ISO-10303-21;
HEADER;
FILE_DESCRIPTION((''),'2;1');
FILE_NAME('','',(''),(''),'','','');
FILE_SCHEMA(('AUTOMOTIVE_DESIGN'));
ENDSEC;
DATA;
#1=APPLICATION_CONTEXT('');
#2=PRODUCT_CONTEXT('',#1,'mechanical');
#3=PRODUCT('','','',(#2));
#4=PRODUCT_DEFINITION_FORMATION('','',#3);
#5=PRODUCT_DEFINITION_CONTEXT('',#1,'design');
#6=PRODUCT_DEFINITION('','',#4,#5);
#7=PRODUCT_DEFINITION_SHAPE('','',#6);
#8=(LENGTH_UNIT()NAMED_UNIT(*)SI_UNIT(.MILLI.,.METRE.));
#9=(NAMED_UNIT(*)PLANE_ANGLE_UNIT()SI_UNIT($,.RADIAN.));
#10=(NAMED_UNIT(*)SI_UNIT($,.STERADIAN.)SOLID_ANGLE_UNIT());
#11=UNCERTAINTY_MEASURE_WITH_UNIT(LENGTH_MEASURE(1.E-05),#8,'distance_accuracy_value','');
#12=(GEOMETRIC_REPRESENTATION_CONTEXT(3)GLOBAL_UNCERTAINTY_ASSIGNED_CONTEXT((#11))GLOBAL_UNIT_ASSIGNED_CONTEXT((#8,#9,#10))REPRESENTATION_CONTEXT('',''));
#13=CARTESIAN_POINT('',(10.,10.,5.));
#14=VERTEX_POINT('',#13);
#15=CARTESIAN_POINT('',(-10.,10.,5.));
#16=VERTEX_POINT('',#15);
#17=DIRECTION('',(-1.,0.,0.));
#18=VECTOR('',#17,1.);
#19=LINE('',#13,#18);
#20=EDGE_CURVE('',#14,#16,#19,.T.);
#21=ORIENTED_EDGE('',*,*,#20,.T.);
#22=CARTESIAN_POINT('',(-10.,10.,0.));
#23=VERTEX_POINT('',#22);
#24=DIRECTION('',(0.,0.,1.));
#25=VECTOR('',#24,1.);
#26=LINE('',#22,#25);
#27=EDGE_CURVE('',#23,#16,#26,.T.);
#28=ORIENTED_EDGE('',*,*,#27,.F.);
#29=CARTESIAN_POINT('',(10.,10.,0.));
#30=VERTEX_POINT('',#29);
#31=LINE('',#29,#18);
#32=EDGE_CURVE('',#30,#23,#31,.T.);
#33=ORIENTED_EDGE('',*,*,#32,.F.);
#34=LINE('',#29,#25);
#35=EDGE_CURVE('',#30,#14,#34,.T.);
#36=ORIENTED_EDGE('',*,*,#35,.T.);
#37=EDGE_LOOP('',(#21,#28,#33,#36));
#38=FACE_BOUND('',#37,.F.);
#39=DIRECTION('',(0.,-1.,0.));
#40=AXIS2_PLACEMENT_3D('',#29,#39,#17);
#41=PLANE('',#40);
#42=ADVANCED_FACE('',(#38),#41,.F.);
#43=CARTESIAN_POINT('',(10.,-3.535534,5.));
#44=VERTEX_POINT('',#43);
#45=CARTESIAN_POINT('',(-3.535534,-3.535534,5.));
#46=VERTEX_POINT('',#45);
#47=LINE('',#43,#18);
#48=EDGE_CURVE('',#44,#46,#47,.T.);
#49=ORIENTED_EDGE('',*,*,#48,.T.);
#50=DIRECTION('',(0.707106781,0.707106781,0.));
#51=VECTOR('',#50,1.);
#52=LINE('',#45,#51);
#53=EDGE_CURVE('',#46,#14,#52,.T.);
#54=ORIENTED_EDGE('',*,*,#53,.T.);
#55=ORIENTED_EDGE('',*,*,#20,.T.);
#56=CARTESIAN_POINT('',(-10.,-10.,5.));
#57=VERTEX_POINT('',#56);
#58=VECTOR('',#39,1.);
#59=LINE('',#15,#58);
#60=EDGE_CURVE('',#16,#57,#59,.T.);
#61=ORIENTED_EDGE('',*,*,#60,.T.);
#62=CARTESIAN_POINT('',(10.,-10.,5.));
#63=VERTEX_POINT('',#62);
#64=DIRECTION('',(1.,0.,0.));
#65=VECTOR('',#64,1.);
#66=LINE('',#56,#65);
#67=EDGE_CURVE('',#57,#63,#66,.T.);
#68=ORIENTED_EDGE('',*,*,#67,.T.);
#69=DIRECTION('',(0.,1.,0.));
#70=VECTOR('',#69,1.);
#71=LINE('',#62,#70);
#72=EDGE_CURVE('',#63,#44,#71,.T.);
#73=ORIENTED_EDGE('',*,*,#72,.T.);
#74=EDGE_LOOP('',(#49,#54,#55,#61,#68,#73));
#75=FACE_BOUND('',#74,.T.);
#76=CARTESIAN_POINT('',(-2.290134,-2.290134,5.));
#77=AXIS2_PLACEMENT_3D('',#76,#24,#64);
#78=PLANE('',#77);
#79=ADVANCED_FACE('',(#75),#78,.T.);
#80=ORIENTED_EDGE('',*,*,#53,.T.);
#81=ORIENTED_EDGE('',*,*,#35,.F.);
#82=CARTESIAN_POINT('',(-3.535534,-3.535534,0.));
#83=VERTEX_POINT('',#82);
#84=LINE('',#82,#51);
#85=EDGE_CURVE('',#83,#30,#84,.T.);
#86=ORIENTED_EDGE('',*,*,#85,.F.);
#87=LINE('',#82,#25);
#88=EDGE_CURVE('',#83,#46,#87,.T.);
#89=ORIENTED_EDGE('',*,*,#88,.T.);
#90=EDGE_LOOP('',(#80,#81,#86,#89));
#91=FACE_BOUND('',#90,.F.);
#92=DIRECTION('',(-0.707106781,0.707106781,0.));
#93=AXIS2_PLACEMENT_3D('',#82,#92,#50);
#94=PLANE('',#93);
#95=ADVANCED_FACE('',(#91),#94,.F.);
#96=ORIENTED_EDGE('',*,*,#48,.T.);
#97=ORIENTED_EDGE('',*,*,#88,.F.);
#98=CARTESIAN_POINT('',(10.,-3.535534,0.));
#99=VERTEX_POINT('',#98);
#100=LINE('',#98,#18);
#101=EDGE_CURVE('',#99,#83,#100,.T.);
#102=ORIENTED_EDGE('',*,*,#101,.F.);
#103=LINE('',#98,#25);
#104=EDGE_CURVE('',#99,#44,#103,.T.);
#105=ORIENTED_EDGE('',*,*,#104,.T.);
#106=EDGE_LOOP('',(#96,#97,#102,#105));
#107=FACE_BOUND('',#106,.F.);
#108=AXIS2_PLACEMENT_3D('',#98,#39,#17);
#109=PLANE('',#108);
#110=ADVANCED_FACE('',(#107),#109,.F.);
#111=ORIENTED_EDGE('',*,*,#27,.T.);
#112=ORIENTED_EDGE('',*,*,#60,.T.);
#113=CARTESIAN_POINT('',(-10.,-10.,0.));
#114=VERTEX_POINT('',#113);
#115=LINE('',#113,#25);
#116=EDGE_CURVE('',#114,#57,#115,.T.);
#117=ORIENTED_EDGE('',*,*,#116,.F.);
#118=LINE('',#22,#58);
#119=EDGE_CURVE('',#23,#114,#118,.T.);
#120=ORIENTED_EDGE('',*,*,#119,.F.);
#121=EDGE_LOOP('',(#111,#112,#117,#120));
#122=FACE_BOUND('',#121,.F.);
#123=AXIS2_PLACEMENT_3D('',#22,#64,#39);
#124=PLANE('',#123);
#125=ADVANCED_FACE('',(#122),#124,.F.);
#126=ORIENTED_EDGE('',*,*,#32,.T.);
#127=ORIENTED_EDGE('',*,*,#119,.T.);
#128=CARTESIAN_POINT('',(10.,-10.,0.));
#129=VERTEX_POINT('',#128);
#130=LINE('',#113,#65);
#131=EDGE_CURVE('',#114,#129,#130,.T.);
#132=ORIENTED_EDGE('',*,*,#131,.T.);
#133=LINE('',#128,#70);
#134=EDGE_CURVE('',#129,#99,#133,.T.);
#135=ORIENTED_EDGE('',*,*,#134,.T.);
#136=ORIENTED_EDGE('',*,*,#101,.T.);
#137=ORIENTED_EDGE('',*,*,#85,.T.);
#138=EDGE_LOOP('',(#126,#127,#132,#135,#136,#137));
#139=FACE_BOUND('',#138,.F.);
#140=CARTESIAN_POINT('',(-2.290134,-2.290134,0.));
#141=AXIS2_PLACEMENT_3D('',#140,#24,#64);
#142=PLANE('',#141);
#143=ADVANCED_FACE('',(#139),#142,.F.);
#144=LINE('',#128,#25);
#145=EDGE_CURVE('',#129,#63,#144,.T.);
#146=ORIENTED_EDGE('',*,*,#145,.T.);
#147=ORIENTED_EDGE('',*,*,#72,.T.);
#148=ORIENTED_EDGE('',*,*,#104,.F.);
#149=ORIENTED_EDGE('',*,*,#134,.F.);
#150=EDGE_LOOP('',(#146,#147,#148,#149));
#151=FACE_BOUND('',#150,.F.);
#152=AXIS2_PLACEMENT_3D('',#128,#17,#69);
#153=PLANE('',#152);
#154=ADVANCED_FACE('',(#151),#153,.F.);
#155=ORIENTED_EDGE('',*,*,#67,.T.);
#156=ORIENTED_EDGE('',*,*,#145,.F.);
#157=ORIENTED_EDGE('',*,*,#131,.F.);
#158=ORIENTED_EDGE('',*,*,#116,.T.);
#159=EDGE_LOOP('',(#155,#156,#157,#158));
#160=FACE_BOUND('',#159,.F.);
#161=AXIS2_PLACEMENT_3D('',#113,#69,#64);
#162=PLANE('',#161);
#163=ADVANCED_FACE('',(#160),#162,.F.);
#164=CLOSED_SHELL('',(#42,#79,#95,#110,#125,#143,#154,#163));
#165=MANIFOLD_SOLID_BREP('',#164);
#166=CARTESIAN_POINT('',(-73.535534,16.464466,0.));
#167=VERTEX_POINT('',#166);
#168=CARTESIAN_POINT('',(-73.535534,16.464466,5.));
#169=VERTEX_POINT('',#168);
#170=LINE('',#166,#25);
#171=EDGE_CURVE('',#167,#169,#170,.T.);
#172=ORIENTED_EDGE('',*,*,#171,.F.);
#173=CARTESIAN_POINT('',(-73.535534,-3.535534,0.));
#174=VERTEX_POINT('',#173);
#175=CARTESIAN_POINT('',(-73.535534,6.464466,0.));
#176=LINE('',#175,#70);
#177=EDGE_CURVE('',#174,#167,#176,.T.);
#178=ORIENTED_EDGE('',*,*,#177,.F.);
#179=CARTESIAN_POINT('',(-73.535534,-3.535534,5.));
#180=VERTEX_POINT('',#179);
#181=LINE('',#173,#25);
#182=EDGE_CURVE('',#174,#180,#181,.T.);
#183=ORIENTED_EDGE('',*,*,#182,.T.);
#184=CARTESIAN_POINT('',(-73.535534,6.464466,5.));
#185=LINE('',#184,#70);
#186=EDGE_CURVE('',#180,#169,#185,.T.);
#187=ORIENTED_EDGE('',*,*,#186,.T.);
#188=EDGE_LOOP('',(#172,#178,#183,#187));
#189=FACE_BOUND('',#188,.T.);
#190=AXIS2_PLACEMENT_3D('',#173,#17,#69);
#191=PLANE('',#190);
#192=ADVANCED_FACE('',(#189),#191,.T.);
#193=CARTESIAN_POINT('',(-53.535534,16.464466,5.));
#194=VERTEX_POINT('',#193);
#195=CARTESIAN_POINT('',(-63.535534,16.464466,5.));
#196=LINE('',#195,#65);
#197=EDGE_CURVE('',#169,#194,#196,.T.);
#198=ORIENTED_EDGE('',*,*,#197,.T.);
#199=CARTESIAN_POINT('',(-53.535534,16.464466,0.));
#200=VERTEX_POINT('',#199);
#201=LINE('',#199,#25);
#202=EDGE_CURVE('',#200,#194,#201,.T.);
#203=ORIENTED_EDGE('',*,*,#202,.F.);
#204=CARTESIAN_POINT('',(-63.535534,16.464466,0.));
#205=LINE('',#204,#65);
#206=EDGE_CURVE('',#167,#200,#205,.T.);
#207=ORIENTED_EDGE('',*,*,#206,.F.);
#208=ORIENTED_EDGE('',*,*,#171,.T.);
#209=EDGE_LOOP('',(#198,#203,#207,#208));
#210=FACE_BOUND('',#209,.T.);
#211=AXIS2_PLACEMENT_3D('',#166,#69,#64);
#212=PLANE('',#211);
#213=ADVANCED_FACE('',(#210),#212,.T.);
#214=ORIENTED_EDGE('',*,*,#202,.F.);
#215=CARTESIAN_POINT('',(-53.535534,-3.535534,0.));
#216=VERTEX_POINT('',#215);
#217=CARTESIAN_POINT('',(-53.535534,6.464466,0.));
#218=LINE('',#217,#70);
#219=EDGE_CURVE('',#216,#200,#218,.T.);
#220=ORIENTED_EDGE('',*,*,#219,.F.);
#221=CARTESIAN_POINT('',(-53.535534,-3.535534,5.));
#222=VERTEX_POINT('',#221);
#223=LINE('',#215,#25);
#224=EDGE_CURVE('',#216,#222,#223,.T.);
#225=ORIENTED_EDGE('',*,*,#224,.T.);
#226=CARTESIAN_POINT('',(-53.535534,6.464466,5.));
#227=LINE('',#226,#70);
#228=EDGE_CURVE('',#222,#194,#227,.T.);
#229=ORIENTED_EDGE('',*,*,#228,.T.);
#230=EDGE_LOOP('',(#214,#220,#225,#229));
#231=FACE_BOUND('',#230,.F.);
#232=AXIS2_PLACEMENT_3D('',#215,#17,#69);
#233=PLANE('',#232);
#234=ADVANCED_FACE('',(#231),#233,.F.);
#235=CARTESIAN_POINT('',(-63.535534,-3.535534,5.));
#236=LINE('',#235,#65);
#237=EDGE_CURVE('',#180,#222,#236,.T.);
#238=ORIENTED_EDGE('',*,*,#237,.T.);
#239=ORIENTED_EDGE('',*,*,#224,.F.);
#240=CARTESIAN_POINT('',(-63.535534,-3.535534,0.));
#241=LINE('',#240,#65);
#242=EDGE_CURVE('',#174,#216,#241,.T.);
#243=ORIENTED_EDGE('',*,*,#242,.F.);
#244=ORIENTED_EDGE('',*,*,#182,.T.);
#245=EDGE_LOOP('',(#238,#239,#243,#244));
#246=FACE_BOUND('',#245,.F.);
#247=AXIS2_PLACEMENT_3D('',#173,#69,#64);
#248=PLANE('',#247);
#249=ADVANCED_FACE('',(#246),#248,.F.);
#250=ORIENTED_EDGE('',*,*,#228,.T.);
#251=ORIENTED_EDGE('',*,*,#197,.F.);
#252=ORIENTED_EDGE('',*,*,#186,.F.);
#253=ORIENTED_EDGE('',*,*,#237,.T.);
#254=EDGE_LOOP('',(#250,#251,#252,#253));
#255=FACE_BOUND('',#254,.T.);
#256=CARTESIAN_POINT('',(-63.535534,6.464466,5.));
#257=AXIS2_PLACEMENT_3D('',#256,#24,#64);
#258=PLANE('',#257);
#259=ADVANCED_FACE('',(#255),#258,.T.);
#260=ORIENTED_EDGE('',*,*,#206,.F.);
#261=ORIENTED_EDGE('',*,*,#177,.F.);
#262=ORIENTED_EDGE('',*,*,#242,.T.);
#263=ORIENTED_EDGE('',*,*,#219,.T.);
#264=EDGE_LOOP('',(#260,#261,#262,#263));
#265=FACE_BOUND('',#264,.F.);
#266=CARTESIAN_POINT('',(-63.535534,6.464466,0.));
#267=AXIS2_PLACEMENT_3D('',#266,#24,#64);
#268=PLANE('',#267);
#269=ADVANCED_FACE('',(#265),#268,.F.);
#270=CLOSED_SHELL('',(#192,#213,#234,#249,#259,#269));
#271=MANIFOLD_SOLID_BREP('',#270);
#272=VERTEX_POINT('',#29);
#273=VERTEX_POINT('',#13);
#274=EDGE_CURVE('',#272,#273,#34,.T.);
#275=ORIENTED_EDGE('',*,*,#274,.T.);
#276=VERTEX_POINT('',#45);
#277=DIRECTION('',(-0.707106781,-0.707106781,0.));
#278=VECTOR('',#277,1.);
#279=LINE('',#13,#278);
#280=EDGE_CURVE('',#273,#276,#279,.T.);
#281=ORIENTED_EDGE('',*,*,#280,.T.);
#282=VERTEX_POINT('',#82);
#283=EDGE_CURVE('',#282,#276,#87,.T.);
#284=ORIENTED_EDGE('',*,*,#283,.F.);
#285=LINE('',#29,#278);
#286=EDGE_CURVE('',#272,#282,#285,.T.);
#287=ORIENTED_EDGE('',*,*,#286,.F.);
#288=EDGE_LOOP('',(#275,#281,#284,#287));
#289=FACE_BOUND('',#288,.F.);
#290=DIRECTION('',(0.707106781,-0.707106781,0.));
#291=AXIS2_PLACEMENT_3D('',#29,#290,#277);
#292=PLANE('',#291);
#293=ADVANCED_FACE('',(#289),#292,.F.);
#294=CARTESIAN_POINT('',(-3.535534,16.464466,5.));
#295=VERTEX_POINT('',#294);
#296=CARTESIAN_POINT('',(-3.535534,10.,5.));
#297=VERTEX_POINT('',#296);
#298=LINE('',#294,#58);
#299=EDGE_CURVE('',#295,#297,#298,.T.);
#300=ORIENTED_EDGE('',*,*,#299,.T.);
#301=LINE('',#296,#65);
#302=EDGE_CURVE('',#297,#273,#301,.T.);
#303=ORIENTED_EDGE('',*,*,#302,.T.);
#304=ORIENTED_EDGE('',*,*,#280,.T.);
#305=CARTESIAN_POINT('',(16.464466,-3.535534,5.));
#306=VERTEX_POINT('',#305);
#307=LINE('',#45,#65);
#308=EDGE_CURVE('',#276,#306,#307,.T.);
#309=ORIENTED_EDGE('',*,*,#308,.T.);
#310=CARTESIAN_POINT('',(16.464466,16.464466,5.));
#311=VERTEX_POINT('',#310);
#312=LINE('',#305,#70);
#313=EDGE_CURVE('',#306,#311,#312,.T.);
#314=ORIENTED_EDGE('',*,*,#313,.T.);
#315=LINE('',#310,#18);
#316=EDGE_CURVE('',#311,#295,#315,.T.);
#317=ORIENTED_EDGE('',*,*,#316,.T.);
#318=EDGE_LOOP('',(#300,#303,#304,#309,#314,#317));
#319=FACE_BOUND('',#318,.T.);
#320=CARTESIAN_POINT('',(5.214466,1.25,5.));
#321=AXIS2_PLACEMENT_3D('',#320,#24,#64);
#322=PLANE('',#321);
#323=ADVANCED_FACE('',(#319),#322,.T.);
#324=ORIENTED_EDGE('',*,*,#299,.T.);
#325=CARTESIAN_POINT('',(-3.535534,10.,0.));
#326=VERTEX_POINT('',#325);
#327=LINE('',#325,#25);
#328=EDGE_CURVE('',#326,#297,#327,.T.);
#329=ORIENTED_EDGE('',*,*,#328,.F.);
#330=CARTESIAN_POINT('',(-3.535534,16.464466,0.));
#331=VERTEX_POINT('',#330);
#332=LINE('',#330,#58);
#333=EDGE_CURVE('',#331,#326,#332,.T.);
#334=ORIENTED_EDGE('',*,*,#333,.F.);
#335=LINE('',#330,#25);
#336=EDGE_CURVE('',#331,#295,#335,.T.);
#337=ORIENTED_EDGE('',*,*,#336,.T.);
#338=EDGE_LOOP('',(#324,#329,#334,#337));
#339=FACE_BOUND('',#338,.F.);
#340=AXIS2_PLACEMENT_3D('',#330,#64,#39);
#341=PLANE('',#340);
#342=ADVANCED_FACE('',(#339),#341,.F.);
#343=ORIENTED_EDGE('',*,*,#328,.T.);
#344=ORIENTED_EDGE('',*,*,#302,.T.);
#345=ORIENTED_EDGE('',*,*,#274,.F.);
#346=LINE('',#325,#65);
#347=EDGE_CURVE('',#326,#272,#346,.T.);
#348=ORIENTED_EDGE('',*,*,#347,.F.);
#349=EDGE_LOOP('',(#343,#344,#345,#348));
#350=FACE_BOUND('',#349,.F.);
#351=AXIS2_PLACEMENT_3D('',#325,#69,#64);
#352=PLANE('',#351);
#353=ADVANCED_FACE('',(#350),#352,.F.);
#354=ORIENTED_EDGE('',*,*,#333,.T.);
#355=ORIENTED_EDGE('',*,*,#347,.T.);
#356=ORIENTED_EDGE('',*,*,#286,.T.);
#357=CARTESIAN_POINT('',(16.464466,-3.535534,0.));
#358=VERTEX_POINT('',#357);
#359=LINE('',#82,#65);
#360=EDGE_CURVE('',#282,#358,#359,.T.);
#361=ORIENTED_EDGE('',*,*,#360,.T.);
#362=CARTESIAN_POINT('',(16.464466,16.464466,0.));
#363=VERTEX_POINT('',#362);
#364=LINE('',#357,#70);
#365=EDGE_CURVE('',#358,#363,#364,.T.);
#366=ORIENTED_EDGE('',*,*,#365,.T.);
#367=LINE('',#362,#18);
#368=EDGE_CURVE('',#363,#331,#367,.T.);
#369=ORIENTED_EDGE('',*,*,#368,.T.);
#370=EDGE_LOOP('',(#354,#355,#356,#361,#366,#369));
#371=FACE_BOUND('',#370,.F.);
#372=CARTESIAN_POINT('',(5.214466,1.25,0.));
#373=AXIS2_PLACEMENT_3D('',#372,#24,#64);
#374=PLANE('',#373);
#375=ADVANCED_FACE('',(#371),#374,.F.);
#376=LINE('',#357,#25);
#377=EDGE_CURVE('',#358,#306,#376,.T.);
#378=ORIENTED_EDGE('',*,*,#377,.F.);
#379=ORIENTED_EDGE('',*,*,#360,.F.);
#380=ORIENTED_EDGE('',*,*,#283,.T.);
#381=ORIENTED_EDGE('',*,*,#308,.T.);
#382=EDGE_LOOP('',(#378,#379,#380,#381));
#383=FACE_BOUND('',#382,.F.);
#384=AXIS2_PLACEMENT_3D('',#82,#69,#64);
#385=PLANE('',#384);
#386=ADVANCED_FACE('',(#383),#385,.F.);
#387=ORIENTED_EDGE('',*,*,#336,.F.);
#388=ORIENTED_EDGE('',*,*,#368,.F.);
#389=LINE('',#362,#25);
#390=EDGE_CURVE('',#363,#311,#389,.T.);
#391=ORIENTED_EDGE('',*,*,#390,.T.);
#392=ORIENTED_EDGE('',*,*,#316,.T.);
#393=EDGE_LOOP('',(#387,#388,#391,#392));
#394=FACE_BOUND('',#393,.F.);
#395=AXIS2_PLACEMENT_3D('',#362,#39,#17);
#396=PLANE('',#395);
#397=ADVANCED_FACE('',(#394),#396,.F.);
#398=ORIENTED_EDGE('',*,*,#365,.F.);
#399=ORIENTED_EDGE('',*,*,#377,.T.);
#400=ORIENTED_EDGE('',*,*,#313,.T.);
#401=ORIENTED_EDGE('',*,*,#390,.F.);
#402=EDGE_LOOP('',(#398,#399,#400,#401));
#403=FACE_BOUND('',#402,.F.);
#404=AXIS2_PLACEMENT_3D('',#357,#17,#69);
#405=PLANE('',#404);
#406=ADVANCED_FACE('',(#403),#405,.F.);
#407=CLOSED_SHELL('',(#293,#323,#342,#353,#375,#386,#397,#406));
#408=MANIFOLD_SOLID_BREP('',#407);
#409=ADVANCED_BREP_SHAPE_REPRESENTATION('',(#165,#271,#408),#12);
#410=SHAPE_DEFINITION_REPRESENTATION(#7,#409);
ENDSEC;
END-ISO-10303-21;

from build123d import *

# Parameters (mm, degrees)
F1_DEPTH = 5
F2_DEPTH = 5
F0_W     = 20
F0_H     = 20
F3_DEPTH = 5


with BuildPart() as f1:
    # F0 (on Top) → F1 (new body)
    with BuildSketch(Plane.XY):
        Polygon((-10, -10), (10, -10), (10, -3.535534), (-3.535534, -3.535534), (-3.535534, 10), (-10, 10), align=None)
        Polygon((-3.535534, -3.535534), (10, 10), (-3.535534, 10), align=None)
    extrude(amount=F1_DEPTH)


with BuildPart() as f2:
    # F0 (on Top) → F2 (new body)
    with BuildSketch(Plane.XY):
        Polygon((-3.535534, -3.535534), (10, -3.535534), (10, 10), align=None)
        Polygon((10, 10), (10, -3.535534), (16.464466, -3.535534), (16.464466, 16.464466), (-3.535534, 16.464466), (-3.535534, 10), align=None)
    extrude(amount=F2_DEPTH)


with BuildPart() as f3:
    # F0 (on Top) → F3 (new body)
    with BuildSketch(Plane.XY):
        with Locations((-63.535534, 6.464466)):
            Rectangle(F0_W, F0_H)
    extrude(amount=F3_DEPTH)


solid = Compound([f1.part, f2.part, f3.part])
